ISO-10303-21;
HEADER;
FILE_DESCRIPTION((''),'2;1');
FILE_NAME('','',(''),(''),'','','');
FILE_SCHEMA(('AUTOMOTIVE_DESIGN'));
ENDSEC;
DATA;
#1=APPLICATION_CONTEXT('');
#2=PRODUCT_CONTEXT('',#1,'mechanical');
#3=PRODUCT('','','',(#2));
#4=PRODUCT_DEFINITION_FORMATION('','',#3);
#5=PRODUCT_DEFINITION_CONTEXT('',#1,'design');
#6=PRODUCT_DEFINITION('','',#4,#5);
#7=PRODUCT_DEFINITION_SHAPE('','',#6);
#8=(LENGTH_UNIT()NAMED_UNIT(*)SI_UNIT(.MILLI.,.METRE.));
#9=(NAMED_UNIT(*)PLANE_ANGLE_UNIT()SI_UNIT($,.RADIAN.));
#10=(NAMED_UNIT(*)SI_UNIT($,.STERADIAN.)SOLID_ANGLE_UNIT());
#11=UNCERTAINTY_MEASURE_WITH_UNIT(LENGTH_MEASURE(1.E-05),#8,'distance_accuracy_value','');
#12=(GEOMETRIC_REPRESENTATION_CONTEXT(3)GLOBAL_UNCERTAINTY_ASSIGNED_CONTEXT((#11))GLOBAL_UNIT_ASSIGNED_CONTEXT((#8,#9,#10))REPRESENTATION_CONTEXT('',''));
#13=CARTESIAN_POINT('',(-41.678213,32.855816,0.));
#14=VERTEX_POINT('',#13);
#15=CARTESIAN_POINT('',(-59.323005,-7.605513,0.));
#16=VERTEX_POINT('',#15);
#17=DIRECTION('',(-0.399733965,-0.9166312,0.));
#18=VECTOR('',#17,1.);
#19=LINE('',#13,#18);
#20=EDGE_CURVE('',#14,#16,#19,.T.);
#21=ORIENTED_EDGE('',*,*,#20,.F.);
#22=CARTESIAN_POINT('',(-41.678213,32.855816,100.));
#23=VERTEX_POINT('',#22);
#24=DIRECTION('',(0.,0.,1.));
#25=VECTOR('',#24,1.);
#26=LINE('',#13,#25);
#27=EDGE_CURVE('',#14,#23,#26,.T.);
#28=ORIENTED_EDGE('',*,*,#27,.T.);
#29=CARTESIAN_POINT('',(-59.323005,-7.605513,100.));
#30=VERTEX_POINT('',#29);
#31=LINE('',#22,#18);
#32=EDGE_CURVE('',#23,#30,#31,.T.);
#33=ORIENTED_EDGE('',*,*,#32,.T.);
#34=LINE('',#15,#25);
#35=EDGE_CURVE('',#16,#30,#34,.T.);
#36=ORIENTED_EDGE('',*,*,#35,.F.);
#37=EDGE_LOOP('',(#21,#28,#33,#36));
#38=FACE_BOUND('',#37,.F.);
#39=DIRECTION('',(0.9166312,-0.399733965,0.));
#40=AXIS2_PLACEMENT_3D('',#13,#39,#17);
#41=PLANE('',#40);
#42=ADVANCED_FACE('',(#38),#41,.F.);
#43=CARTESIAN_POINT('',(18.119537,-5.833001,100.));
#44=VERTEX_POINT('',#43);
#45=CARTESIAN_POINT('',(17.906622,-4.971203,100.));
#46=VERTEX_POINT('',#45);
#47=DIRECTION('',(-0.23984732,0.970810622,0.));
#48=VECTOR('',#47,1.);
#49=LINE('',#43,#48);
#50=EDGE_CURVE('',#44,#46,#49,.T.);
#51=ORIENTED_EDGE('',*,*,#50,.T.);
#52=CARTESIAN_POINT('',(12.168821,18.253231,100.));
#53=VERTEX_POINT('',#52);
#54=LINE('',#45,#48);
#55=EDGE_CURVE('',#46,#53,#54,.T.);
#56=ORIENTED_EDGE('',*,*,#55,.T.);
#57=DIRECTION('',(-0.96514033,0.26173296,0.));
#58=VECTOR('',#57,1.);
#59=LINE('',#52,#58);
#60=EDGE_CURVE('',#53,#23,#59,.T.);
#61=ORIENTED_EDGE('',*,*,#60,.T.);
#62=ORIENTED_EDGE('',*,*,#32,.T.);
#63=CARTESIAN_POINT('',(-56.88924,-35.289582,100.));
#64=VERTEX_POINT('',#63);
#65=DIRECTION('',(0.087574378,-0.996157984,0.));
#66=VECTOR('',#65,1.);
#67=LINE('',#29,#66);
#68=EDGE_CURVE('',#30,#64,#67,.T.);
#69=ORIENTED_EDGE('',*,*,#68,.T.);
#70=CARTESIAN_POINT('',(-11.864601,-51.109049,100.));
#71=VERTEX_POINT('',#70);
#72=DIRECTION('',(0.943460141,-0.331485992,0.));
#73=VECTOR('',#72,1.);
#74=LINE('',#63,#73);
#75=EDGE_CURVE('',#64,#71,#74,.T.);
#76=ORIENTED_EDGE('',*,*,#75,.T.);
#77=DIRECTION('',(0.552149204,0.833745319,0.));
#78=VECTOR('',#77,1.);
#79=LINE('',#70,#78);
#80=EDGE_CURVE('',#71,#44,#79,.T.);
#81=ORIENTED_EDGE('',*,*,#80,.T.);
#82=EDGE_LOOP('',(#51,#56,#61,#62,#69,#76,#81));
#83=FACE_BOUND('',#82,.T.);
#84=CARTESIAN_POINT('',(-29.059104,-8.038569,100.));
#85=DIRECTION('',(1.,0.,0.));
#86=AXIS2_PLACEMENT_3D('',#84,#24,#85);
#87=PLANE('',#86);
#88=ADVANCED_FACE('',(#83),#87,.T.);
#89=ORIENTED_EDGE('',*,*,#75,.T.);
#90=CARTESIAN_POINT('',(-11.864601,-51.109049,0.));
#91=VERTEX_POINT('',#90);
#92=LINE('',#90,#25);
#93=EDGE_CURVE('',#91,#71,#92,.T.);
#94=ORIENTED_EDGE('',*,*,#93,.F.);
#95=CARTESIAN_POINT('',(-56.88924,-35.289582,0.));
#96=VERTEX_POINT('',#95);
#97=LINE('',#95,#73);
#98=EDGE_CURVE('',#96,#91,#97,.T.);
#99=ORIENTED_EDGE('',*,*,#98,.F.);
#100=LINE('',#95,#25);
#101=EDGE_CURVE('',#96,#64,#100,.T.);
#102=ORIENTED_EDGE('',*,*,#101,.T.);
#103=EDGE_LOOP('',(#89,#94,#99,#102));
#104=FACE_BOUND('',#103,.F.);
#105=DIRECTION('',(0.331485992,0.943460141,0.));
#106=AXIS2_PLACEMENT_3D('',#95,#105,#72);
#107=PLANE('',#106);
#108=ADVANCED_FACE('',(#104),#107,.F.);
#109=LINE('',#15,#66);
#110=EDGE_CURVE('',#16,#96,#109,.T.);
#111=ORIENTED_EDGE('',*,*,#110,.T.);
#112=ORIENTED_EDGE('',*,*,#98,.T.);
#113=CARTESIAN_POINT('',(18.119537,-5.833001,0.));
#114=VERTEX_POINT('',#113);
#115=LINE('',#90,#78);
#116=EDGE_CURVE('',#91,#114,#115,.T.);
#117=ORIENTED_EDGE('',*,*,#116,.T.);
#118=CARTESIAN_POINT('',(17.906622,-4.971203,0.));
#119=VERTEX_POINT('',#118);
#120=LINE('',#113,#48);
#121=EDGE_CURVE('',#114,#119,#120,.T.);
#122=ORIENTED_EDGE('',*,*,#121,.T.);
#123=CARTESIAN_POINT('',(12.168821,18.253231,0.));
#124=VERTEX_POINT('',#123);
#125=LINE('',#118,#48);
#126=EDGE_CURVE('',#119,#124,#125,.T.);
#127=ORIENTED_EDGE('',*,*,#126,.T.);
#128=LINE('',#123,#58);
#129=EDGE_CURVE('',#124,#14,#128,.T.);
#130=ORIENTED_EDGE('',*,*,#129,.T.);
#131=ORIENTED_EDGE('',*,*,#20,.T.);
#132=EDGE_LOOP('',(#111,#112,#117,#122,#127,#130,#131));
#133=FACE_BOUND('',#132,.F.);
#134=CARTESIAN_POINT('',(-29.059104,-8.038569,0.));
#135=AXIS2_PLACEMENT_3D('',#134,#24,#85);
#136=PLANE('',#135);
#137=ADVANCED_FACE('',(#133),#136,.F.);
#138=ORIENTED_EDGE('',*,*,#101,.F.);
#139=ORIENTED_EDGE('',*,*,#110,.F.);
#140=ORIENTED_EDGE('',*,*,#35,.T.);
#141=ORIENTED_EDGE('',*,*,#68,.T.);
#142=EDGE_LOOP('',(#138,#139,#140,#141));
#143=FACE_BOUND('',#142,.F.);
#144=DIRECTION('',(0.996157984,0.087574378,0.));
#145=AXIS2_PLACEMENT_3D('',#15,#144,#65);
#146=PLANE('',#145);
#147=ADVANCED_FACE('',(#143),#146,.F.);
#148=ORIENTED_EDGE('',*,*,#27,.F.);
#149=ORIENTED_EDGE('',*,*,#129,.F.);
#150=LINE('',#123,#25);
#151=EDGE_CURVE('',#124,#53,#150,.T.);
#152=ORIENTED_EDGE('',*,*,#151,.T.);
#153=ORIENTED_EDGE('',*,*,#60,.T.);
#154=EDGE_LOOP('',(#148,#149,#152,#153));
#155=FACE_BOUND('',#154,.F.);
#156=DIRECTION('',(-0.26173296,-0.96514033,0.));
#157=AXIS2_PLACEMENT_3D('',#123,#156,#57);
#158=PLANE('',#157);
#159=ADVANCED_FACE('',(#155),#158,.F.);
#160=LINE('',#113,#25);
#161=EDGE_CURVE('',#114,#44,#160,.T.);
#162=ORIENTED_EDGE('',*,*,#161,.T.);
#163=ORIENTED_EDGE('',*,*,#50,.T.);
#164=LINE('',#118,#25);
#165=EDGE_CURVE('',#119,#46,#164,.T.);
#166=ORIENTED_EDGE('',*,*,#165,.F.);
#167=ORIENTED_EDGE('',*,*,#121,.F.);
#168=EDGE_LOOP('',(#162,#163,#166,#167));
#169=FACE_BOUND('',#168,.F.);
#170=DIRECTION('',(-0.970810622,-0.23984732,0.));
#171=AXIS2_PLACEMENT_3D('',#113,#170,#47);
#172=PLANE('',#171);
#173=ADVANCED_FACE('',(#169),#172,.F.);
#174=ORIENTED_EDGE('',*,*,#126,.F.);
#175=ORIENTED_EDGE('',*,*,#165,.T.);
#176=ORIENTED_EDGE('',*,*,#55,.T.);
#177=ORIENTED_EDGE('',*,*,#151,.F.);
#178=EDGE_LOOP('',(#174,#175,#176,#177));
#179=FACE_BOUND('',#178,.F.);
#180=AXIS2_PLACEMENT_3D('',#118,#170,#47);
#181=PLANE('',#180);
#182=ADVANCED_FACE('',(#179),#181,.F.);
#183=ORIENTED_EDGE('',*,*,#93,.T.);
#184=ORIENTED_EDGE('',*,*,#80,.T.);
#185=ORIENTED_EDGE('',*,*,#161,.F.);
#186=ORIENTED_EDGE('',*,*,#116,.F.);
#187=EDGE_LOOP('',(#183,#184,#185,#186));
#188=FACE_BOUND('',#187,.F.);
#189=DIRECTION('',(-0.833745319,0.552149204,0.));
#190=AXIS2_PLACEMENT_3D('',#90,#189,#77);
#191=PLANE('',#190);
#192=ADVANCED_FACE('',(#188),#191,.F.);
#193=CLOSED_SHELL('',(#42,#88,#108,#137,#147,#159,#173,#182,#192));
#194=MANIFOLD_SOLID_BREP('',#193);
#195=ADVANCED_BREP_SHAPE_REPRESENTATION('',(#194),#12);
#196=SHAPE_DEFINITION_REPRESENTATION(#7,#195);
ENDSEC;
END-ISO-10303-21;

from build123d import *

# Parameters (mm, degrees)
F1_DEPTH = 100


with BuildPart() as f1:
    # F0 (on Top) → F1 (new body)
    with BuildSketch(Plane.XY):
        Polygon((-11.8646007031, -21.5996578336), (-33.768478781, 10.9519390389), (-45.1385089955, -11.7881209321), align=None)
        Polygon((12.1688209474, 18.2532314211), (-41.6782125831, 32.8558161855), (-33.768478781, 10.9519390389), (1.2571312237, 0.1591635659), align=None)
        Polygon((17.9066221318, -4.9712029599), (12.1688209474, 18.2532314211), (1.2571312237, 0.1591635659), align=None)
        Polygon((-45.1385089955, -11.7881209321), (-59.3230053782, -7.6055130921), (-56.8892396986, -35.2895818651), align=None)
        Polygon((-33.768478781, 10.9519390389), (-41.6782125831, 32.8558161855), (-59.3230053782, -7.6055130921), (-45.1385089955, -11.7881209321), align=None)
        Polygon((1.2571312237, 0.1591635659), (-33.768478781, 10.9519390389), (-11.8646007031, -21.5996578336), align=None)
        Polygon((17.9066221318, -4.9712029599), (1.2571312237, 0.1591635659), (-11.8646007031, -21.5996578336), (-45.1385089955, -11.7881209321), (-56.8892396986, -35.2895818651), (-11.8646007031, -51.1090494692), (18.1195368493, -5.8330006636), align=None)
    extrude(amount=F1_DEPTH)


solid = f1.part
